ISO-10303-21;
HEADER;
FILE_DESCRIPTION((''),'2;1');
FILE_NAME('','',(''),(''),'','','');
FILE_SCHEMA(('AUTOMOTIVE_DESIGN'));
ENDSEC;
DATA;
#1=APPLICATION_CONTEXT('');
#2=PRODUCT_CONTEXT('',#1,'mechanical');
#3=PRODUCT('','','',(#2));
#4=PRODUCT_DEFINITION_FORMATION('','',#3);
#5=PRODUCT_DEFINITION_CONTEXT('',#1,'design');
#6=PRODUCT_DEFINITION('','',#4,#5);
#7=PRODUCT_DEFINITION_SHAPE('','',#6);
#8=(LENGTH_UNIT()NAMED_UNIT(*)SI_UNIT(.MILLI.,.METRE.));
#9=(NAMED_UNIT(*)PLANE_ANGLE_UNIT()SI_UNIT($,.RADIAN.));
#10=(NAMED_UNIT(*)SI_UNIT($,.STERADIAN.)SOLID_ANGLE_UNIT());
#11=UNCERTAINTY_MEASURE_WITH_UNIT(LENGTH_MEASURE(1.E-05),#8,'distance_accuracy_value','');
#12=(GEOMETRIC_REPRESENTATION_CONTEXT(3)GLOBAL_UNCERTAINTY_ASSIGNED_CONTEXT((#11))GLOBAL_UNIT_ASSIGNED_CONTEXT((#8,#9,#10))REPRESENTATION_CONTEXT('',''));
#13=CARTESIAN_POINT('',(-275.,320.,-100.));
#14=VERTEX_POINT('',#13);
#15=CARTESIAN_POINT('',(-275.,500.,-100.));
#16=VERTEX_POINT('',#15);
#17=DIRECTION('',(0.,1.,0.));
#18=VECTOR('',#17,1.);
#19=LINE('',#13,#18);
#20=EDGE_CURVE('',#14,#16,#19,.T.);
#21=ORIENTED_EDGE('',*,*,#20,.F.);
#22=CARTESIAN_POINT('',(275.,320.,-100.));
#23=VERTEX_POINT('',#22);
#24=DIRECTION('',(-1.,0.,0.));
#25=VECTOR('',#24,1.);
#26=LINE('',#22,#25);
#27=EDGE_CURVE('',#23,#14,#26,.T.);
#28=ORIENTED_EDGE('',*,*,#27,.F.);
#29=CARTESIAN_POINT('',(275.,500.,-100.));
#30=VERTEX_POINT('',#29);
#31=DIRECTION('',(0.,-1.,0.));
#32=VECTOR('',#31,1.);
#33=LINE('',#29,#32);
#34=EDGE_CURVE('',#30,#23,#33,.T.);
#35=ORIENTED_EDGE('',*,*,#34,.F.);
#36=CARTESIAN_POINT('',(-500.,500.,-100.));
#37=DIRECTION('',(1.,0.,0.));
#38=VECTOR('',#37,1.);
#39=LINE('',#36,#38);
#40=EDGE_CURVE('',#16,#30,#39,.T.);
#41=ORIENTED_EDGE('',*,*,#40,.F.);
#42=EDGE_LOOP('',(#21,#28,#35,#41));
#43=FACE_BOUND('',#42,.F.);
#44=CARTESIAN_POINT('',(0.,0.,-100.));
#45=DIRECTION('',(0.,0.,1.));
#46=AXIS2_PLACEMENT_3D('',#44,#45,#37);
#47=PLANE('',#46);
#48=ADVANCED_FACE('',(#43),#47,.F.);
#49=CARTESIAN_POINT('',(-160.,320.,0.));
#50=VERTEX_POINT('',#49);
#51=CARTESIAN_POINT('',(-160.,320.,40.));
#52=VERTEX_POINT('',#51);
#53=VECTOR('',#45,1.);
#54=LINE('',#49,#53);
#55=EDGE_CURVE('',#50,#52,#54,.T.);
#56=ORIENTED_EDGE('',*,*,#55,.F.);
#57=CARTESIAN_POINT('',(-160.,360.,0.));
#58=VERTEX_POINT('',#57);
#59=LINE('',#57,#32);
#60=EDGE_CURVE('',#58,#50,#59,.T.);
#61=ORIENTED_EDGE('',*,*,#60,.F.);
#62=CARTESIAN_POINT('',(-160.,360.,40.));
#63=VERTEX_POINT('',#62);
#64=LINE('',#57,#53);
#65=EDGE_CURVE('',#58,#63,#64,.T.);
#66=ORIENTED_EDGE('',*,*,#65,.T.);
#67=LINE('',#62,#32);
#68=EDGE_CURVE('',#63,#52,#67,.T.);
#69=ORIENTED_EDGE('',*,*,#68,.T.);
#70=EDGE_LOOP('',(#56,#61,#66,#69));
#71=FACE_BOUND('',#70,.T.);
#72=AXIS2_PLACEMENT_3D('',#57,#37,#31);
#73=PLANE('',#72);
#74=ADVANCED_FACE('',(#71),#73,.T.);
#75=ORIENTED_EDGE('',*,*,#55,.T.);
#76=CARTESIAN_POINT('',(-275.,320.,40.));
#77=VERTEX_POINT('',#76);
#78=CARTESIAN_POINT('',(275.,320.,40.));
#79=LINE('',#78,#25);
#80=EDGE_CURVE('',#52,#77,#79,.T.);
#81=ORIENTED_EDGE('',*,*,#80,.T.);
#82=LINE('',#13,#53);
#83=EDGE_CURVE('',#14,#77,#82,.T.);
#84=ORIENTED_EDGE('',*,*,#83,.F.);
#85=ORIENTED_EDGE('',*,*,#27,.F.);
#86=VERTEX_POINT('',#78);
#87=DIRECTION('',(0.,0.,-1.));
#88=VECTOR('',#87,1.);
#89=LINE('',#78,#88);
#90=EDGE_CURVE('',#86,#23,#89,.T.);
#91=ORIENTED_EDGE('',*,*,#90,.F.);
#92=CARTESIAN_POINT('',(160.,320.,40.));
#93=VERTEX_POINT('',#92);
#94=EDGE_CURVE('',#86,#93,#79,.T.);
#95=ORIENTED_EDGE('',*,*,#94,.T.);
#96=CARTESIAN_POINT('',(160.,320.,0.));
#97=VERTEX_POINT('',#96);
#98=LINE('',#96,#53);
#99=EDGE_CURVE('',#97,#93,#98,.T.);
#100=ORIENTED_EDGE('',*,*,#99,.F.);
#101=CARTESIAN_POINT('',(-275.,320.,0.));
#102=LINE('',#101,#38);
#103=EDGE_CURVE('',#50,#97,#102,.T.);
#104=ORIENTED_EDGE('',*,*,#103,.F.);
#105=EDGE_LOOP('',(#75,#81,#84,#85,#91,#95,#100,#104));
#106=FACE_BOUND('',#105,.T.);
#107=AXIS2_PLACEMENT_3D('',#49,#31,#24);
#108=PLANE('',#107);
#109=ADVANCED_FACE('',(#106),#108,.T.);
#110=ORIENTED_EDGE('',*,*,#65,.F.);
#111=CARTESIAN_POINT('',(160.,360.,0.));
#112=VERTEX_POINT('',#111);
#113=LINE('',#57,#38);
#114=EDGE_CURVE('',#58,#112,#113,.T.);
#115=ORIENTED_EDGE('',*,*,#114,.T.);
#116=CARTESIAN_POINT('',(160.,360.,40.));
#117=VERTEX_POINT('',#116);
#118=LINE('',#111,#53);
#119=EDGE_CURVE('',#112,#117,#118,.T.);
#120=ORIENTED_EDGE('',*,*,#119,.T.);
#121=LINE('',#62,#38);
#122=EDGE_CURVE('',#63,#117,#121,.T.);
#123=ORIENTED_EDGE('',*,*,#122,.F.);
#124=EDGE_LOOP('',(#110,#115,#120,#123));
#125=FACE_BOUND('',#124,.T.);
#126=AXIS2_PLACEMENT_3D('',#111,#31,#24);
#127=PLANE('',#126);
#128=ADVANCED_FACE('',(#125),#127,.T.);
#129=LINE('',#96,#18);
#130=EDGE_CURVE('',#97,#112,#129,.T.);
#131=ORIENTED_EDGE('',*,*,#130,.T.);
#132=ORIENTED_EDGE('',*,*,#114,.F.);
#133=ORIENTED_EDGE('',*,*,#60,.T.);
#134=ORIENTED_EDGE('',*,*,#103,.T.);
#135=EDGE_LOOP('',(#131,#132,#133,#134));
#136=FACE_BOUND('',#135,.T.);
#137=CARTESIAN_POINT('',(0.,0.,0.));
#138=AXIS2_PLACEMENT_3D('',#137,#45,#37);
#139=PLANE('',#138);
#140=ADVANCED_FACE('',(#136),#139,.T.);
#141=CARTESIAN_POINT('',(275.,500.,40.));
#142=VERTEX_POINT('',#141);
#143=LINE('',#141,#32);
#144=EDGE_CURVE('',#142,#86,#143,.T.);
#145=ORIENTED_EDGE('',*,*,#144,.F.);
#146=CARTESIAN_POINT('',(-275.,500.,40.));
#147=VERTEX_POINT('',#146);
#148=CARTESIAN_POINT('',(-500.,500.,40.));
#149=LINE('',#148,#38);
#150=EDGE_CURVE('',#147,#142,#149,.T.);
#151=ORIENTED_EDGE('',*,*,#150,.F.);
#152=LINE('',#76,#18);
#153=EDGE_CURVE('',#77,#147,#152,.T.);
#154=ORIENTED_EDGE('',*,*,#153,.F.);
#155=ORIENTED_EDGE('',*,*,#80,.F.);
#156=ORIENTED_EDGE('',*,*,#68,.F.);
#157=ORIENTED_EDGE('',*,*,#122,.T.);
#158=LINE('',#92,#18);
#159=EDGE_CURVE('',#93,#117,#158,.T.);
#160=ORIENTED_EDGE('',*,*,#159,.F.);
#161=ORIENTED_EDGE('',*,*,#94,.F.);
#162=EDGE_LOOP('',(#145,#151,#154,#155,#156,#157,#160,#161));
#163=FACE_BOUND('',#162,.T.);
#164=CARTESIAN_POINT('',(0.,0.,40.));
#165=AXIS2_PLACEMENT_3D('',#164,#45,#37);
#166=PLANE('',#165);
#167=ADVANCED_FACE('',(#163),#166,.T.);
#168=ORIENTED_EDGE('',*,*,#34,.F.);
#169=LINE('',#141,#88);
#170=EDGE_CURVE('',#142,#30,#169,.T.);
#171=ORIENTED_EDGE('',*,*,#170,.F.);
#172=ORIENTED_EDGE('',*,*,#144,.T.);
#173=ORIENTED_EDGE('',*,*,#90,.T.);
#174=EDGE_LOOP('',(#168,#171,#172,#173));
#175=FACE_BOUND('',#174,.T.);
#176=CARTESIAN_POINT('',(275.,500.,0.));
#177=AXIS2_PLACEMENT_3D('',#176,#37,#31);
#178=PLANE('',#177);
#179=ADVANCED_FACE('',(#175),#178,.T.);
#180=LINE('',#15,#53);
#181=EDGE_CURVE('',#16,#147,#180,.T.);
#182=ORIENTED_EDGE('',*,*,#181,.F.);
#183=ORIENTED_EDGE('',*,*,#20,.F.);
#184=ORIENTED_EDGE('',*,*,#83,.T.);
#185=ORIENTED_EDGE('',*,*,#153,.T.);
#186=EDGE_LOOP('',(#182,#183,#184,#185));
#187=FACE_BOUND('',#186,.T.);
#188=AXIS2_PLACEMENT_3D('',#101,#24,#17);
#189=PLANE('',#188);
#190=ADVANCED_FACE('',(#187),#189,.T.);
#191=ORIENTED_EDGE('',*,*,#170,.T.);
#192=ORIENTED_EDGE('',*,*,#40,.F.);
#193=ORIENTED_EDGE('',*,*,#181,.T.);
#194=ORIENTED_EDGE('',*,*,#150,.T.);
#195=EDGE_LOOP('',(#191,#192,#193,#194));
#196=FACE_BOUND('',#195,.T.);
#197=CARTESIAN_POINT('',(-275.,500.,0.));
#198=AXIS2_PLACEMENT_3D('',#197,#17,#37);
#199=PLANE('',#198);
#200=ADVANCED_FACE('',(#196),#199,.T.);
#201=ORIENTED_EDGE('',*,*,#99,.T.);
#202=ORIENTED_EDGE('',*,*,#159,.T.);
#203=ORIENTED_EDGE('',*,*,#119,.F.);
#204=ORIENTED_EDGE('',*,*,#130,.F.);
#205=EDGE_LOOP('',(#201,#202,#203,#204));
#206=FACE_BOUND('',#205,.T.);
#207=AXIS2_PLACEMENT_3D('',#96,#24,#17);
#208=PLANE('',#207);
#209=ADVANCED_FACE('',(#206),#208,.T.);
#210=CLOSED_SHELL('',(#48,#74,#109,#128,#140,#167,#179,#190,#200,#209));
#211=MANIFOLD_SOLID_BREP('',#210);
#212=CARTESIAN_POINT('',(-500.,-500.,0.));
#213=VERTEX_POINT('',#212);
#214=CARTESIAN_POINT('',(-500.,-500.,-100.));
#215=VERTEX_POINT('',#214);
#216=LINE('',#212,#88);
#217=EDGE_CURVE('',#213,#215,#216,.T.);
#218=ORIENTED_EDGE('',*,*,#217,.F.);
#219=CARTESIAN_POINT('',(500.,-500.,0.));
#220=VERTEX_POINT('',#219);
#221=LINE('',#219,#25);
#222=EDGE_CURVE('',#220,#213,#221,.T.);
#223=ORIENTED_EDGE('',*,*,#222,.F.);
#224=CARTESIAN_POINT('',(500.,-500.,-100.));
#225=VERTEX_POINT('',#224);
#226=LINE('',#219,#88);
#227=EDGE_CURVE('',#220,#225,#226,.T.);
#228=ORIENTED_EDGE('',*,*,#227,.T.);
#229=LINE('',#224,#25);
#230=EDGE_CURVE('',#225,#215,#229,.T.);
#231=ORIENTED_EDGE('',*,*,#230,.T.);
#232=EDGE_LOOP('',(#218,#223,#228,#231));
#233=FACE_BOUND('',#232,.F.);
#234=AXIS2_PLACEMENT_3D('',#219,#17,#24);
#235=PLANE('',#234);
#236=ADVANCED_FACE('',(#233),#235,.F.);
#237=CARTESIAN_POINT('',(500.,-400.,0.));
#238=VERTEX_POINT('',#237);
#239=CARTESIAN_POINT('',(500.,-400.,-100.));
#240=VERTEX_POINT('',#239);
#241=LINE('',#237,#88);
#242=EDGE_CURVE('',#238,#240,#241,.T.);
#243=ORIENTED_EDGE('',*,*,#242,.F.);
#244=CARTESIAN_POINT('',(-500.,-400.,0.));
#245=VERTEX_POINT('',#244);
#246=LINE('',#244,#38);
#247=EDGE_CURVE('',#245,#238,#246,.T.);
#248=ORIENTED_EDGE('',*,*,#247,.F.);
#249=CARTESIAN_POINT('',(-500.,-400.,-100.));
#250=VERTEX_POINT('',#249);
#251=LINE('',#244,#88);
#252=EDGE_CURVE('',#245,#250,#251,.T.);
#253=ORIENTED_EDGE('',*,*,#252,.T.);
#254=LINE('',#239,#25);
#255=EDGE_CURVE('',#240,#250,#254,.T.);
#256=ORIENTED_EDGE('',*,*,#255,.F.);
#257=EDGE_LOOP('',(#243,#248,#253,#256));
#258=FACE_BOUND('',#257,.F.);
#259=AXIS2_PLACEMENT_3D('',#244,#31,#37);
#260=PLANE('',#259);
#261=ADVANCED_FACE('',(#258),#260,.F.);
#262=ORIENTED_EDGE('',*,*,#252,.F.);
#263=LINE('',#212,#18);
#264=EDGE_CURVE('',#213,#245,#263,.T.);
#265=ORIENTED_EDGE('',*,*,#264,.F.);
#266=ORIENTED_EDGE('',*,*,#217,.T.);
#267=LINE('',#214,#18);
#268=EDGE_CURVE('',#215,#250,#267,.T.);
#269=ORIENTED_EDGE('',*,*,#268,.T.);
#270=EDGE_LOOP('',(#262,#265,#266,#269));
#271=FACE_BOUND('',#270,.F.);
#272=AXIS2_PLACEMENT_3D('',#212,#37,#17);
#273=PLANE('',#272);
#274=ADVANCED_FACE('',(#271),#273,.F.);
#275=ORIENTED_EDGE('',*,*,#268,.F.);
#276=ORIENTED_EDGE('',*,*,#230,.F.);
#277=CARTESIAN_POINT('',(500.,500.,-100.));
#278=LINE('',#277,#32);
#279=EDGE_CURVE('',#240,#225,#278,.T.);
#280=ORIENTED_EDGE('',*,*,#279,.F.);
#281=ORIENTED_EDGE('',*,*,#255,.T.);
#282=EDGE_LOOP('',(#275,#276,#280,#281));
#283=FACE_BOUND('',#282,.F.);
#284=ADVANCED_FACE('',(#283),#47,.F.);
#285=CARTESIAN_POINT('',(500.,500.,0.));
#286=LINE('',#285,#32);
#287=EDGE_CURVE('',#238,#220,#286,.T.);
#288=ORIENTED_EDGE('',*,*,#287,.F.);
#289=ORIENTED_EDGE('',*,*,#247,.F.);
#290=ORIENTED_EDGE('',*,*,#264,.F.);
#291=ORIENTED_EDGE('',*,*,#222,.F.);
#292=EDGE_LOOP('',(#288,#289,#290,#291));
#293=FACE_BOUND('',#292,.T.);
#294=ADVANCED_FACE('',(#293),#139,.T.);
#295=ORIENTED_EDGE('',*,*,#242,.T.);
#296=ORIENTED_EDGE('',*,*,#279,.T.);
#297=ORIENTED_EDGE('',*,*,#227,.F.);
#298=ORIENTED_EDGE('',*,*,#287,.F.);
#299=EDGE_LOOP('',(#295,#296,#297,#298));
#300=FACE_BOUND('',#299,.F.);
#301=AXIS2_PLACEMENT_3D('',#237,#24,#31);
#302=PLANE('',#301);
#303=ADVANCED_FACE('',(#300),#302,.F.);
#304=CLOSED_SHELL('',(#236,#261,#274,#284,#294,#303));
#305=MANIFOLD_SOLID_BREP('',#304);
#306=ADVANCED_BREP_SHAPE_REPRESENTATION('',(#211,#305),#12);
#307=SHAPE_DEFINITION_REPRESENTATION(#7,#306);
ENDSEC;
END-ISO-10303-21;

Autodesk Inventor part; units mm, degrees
ref_plane "YZ Plane" through (0, 0, 0) normal (1, 0, 0) x (0, 1, 0)
ref_plane "XZ Plane" through (0, 0, 0) normal (0, 1, 0) x (-1, 0, 0)
ref_plane "XY Plane" through (0, 0, 0) normal (0, 0, 1) x (1, 0, 0)
sketch "Skizze3" plane through (0, 0, 0) normal (0, 0, 1) x (1, 0, 0)
  line L0 (-500, 500) -> (500, 500)
  line L1 (500, 500) -> (500, -500)
  line L2 (500, -500) -> (-500, -500)
  line L3 (-500, -500) -> (-500, 500)
  line L4 (-500, -400) -> (500, -400)
  line L5 (-275, 500) -> (275, 500)
  line L6 (275, 500) -> (275, 320)
  line L7 (275, 320) -> (-275, 320)
  line L8 (-275, 320) -> (-275, 500)
  arc A0 (-275, 320) -> (-400, -400) centre (1736.1, -400) ccw
  arc A1 (400, -400) -> (275, 320) centre (-1736.1, -400) ccw
  line L9 (-160, 320) -> (160, 320)
  line L10 (160, 320) -> (160, 360)
  line L11 (160, 360) -> (-160, 360)
  line L12 (-160, 360) -> (-160, 320)
  line L13 (-440, -450) -> (-140, -450)
  line L14 (90, -450) -> (440, -450)
  line L15 (-30, 360) -> (-30, 320)
  arc A2 (-440, -450) -> (-160, 320) centre (-1358.75, 320) ccw
  arc A3 (-140, -450) -> (-30, 320) centre (-2780, 320) ccw
  arc A4 (-30, 320) -> (90, -450) centre (2500.4167, 320) ccw
  arc A5 (160, 320) -> (440, -450) centre (1358.75, 320) ccw
  line L16 (-160, 360) -> (-440, -450) construction
  line L17 (-160, 360) -> (-146.1239, 400.1416) construction
  line L18 (-30, 360) -> (-146.1239, 400.1416) construction
  line L19 (-30, 360) -> (121.8543, 307.5071) construction
  line L20 (-440, -450) -> (-172.0218, -542.6344) construction
  line L21 (-140, -450) -> (-172.0218, -542.6344) construction
  line L22 (-140, -450) -> (121.8543, 307.5071) construction
  line L23 (-172.9217, 310.595) -> (139.7195, 418.6685) construction
  line L24 (139.7195, 418.6685) -> (440, -450) construction
  line L25 (440, -450) -> (127.3587, -558.0735) construction
  line L26 (127.3587, -558.0735) -> (-172.9217, 310.595) construction
  point P0 (0, 0)
  point P1 (-500, 0)
  point P2 (0, 500)
  point P3 (0, 320)
  point P4 (0, 360)
  dimension "d4" = 1000
  dimension "d5" = 1000
  dimension "d6" = 100
  dimension "d7" = 550
  dimension "d8" = 180
  dimension "d9" = 100
  dimension "d10" = 100
  dimension "d11" = 320
  dimension "d12" = 300
  dimension "d13" = 350
  dimension "d14" = 230
  dimension "d15" = 60
  dimension "d16" = -60
  dimension "d17" = 130
  dimension "d18" = 190
  dimension "d19" = 50
  dimension "d21" = 283.5374
  dimension "d22" = 40
  dimension "d23" = 140
  dimension "d24" = 899.502
  dimension "d25" = 919.1046
  dimension "d26" = 330.7937
extrude "Extrusion2" add sketch "Skizze3" against normal blind 100 contours L0 L6 L7 L10 L11 L12 L8 | L4 A2 L13 A3 A4 L14 A5 L1 L2 L3 | L4 A3 L13 A2 | L12 L11 L15 L7 | L7 L15 L11 L10 | A5 L14 A4 L4
extrude "Extrusion3" add sketch "Skizze3" along normal blind 40 contours L0 L6 L7 L10 L11 L12 L8
equation "\"d9\" = d6"
equation "\"d10\" = d6"
properties part number "UA-072-EinfassungKT"
